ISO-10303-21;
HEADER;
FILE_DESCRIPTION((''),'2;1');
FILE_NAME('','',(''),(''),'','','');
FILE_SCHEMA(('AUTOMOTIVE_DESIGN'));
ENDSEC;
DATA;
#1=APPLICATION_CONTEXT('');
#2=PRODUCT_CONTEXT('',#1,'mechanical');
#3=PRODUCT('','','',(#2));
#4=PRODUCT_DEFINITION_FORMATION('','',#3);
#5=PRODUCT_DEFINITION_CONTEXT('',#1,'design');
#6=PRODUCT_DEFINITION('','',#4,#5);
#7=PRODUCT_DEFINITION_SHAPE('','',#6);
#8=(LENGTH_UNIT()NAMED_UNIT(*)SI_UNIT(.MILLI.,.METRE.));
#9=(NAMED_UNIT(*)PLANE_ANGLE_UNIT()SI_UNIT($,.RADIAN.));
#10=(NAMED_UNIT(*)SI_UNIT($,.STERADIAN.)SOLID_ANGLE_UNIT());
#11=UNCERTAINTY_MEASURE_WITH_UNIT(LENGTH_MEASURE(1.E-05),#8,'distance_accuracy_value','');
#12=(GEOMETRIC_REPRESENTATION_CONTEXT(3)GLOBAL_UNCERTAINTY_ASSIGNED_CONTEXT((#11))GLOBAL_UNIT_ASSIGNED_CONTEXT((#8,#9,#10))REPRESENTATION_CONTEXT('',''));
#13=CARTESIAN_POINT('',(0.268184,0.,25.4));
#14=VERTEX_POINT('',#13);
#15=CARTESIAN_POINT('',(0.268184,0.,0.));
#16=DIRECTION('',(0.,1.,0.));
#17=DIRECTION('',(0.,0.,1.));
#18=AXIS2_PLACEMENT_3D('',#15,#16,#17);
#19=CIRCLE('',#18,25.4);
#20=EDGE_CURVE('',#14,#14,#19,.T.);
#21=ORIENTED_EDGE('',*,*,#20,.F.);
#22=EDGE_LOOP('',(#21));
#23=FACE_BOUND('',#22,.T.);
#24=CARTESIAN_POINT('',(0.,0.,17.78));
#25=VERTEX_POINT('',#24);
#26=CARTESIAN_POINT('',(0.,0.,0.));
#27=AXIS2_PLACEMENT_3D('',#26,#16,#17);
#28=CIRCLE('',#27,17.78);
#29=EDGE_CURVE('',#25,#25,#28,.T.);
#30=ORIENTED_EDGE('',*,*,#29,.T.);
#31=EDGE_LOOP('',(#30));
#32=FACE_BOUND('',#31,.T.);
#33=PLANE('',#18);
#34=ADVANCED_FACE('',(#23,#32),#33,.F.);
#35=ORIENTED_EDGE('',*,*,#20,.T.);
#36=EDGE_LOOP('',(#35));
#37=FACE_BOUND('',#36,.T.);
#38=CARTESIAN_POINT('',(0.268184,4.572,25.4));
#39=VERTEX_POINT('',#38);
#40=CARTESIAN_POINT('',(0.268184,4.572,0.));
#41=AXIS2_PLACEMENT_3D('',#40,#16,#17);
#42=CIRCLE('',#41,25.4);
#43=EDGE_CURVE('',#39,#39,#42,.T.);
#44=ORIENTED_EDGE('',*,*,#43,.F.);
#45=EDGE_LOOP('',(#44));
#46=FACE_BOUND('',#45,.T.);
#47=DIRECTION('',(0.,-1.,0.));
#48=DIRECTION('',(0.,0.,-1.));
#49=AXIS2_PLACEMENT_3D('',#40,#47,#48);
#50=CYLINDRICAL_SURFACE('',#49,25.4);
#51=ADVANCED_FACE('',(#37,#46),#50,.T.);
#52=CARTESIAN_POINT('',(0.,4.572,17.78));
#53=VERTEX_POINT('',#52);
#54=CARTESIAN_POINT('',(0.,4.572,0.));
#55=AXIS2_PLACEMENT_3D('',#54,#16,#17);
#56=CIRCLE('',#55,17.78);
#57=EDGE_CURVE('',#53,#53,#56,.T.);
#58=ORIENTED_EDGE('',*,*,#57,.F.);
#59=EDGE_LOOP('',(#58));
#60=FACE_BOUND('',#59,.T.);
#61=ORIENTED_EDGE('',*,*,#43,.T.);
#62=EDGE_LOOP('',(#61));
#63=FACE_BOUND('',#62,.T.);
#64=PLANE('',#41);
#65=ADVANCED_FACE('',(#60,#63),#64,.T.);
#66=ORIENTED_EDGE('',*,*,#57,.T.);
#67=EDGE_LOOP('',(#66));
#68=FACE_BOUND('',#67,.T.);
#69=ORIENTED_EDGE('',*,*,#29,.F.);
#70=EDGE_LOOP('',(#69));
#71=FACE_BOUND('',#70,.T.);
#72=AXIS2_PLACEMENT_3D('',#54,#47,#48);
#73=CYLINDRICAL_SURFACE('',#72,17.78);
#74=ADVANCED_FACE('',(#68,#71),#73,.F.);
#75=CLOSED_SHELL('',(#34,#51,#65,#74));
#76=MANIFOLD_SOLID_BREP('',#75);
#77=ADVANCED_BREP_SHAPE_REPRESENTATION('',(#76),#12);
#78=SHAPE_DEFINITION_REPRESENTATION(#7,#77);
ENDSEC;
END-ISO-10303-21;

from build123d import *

# Parameters (mm, degrees)
SKETCH1_R           = 25.4
SKETCH1_R_2         = 17.78
BOSS_EXTRUDE1_DEPTH = 4.572


with BuildPart() as part:
    # Sketch1 → Boss-Extrude1 (new body)
    with BuildSketch(Plane(origin=(0, 0, 0), x_dir=(1, 0, 0), z_dir=(0, 1, 0))):
        with Locations((0.268183518, 0)):
            Circle(SKETCH1_R)
        Circle(SKETCH1_R_2, mode=Mode.SUBTRACT)
    extrude(amount=BOSS_EXTRUDE1_DEPTH)


solid = part.part
